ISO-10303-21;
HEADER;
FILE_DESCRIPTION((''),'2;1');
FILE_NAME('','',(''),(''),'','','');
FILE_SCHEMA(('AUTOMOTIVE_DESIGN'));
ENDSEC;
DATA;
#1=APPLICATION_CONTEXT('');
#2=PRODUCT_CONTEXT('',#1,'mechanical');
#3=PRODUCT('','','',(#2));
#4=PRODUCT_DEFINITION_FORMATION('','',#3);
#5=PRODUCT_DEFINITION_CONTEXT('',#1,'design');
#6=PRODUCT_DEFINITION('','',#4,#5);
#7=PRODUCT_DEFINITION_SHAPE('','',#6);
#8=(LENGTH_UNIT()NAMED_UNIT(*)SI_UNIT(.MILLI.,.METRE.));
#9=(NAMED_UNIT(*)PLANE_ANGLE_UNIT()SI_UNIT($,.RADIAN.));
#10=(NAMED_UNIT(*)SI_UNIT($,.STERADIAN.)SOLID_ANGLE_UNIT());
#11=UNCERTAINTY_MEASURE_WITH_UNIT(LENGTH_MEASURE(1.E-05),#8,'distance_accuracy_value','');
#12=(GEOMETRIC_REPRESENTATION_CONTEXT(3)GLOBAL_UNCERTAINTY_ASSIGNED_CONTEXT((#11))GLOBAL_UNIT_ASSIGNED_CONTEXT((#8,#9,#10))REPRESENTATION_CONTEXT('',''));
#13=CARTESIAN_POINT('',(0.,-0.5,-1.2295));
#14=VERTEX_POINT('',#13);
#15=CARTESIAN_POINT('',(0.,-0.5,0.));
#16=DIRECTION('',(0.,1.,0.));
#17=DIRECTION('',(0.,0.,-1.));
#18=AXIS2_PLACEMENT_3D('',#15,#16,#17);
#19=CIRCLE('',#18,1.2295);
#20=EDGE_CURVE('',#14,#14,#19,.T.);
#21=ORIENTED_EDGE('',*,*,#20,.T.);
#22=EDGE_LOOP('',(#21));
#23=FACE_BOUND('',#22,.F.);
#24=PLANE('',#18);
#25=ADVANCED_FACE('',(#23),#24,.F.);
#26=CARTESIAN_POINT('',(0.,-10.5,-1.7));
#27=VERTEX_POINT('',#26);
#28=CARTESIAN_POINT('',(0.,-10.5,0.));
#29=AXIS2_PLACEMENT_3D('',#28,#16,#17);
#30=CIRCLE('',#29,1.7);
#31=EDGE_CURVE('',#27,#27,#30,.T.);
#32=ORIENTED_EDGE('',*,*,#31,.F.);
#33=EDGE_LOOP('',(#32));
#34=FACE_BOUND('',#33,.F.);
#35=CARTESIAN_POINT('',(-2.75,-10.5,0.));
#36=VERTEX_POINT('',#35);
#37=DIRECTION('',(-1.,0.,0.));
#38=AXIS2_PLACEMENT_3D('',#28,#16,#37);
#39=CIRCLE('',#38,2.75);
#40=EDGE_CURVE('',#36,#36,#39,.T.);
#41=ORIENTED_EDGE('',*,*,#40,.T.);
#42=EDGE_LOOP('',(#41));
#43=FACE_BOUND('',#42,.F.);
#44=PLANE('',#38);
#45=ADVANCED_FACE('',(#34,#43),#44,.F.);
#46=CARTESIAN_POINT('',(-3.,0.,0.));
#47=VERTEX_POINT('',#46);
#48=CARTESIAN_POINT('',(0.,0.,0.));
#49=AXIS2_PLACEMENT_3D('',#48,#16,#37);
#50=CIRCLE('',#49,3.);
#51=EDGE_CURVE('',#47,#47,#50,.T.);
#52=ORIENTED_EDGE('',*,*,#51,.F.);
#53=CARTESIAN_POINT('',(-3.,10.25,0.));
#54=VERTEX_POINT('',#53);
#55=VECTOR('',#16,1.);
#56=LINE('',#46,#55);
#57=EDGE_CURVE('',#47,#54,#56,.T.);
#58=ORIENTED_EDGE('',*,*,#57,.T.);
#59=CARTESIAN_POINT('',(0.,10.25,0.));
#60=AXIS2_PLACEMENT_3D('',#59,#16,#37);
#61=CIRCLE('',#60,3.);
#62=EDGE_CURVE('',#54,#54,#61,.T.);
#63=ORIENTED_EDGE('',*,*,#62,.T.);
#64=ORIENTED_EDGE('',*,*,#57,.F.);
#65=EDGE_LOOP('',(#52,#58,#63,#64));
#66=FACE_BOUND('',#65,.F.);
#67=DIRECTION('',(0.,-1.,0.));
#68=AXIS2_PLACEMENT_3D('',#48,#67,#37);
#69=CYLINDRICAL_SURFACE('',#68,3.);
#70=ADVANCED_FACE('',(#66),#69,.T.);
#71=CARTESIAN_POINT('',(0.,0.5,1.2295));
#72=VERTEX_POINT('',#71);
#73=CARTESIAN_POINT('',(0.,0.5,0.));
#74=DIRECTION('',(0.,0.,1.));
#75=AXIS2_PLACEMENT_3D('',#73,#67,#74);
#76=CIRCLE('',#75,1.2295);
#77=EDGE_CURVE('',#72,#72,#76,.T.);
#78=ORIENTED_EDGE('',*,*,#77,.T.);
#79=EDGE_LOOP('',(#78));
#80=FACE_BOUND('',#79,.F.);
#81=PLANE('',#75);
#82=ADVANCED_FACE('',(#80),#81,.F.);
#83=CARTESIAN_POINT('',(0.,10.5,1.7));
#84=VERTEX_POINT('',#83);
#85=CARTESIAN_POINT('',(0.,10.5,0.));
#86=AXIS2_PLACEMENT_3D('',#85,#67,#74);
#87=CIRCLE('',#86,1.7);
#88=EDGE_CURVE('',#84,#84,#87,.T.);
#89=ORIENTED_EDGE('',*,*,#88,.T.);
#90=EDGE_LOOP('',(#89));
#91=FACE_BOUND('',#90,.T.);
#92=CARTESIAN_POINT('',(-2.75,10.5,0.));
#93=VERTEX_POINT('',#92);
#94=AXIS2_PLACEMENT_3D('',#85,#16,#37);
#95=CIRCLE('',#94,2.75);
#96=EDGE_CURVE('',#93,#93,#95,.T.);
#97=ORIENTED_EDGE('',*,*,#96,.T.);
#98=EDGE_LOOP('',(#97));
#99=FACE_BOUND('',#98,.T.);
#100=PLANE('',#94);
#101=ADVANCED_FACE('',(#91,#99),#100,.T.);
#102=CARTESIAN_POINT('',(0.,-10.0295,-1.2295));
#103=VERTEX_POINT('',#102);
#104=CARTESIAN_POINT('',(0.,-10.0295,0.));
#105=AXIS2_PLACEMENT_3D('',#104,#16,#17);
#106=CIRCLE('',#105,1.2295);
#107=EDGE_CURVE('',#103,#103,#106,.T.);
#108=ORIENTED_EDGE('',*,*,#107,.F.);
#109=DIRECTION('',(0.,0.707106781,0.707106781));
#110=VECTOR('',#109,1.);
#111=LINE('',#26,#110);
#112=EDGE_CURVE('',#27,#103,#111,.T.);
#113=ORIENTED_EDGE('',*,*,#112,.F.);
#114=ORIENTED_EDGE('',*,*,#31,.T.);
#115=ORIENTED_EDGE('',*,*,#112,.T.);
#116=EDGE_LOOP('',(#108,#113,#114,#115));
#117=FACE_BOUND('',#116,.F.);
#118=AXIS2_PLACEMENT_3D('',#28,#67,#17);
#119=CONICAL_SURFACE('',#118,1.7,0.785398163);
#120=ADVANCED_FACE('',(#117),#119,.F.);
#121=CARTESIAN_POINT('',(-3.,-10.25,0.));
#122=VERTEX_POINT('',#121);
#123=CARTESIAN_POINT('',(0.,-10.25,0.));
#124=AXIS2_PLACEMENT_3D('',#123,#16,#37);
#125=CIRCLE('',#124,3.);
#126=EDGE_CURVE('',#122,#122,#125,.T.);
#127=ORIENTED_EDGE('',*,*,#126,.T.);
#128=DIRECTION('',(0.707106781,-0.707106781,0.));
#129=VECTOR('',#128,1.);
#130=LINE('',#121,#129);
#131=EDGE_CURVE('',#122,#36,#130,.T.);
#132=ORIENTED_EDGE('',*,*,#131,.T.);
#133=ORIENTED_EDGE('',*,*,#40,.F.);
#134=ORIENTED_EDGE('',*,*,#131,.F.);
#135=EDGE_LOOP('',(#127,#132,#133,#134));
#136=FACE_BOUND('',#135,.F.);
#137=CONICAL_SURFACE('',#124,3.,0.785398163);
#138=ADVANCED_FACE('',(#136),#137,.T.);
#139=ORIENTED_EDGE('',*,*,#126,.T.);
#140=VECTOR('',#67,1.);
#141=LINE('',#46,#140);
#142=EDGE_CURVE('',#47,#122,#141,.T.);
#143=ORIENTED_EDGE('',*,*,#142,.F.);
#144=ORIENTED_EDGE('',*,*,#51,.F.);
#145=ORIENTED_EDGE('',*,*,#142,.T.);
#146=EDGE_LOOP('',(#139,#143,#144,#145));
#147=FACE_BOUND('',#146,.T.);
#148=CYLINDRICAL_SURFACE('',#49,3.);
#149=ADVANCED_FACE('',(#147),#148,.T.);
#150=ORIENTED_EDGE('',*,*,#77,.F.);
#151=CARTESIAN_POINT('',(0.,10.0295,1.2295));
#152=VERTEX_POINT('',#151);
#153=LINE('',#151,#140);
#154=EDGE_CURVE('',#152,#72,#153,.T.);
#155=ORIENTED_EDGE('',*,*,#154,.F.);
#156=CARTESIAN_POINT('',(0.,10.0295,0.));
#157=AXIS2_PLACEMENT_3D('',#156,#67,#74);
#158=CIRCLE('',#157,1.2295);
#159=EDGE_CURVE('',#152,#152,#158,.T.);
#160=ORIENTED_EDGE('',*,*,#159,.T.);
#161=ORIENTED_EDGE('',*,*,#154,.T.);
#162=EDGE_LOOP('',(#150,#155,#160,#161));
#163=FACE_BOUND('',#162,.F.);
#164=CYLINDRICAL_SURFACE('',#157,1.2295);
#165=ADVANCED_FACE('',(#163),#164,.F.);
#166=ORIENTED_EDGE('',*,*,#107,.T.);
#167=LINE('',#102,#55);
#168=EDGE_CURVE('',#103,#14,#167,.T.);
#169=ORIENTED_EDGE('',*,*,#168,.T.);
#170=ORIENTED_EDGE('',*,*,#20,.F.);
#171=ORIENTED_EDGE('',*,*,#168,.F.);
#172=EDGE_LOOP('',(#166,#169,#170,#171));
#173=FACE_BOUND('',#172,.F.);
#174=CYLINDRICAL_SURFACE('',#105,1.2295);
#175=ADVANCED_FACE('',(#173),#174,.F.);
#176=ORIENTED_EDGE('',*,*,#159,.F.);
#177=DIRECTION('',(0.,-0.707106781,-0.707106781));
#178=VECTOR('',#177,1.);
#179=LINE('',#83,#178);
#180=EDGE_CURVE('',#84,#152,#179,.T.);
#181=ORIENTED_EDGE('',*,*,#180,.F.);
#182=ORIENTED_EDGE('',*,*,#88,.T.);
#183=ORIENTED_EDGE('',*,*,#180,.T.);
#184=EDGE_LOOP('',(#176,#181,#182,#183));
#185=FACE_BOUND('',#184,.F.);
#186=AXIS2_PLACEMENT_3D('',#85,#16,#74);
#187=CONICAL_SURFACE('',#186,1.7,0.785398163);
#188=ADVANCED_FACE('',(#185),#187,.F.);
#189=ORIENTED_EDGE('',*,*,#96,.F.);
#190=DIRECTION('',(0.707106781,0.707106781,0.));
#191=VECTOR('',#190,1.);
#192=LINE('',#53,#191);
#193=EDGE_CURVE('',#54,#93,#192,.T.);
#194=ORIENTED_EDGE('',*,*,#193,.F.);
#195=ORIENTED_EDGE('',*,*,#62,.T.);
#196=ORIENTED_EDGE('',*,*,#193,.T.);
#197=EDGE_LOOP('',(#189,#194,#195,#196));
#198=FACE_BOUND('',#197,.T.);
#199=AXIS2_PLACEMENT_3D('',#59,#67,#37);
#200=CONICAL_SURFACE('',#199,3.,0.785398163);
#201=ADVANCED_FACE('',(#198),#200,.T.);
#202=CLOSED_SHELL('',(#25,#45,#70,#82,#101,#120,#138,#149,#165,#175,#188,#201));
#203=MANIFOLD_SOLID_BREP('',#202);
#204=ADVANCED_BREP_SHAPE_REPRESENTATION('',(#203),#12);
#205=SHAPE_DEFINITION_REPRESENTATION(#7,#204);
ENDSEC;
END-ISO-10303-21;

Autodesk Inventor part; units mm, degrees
ref_plane "YZ Plane" through (0, 0, 0) normal (1, 0, 0) x (0, 1, 0)
ref_plane "XZ Plane" through (0, 0, 0) normal (0, 1, 0) x (-1, 0, 0)
ref_plane "XY Plane" through (0, 0, 0) normal (0, 0, 1) x (1, 0, 0)
sketch "スケッチ1" plane through (0, 0, 0) normal (0, 1, 0) x (-1, 0, 0)
  circle A0 centre (0, 0) radius 3
  dimension "d0" = 6
extrude "押し出し1" add sketch "スケッチ1" along normal mid plane 21
sketch "スケッチ2" plane through (0, 10.5, 0) normal (0, 1, 0) x (1, 0, 0)
  point P0 (0, 0)
  point P1 (0, 0)
hole "穴1" at (0, 10.5, 0) direction (0, -1, 0) diameter 2.459 depth 10 countersink diameter 3.4 countersink angle 90 thread size "M3x0.5" class "6H" standard "ISO Metric profile"
sketch "スケッチ3" plane through (0, -10.5, 0) normal (0, -1, 0) x (1, 0, 0)
  point P0 (0, 0)
  point P1 (0, 0)
hole "穴2" at (0, -10.5, 0) direction (0, 1, 0) diameter 2.459 depth 10 countersink diameter 3.4 countersink angle 90 thread size "M3x0.5" class "6H" standard "ISO Metric profile"
chamfer "面取り1" distance 0.25 angle 45 2 edges at (3, -10.5, 0) (3, 10.5, 0)
properties part number "Spacer_M3D6L60" material "アルミニウム 6061"
